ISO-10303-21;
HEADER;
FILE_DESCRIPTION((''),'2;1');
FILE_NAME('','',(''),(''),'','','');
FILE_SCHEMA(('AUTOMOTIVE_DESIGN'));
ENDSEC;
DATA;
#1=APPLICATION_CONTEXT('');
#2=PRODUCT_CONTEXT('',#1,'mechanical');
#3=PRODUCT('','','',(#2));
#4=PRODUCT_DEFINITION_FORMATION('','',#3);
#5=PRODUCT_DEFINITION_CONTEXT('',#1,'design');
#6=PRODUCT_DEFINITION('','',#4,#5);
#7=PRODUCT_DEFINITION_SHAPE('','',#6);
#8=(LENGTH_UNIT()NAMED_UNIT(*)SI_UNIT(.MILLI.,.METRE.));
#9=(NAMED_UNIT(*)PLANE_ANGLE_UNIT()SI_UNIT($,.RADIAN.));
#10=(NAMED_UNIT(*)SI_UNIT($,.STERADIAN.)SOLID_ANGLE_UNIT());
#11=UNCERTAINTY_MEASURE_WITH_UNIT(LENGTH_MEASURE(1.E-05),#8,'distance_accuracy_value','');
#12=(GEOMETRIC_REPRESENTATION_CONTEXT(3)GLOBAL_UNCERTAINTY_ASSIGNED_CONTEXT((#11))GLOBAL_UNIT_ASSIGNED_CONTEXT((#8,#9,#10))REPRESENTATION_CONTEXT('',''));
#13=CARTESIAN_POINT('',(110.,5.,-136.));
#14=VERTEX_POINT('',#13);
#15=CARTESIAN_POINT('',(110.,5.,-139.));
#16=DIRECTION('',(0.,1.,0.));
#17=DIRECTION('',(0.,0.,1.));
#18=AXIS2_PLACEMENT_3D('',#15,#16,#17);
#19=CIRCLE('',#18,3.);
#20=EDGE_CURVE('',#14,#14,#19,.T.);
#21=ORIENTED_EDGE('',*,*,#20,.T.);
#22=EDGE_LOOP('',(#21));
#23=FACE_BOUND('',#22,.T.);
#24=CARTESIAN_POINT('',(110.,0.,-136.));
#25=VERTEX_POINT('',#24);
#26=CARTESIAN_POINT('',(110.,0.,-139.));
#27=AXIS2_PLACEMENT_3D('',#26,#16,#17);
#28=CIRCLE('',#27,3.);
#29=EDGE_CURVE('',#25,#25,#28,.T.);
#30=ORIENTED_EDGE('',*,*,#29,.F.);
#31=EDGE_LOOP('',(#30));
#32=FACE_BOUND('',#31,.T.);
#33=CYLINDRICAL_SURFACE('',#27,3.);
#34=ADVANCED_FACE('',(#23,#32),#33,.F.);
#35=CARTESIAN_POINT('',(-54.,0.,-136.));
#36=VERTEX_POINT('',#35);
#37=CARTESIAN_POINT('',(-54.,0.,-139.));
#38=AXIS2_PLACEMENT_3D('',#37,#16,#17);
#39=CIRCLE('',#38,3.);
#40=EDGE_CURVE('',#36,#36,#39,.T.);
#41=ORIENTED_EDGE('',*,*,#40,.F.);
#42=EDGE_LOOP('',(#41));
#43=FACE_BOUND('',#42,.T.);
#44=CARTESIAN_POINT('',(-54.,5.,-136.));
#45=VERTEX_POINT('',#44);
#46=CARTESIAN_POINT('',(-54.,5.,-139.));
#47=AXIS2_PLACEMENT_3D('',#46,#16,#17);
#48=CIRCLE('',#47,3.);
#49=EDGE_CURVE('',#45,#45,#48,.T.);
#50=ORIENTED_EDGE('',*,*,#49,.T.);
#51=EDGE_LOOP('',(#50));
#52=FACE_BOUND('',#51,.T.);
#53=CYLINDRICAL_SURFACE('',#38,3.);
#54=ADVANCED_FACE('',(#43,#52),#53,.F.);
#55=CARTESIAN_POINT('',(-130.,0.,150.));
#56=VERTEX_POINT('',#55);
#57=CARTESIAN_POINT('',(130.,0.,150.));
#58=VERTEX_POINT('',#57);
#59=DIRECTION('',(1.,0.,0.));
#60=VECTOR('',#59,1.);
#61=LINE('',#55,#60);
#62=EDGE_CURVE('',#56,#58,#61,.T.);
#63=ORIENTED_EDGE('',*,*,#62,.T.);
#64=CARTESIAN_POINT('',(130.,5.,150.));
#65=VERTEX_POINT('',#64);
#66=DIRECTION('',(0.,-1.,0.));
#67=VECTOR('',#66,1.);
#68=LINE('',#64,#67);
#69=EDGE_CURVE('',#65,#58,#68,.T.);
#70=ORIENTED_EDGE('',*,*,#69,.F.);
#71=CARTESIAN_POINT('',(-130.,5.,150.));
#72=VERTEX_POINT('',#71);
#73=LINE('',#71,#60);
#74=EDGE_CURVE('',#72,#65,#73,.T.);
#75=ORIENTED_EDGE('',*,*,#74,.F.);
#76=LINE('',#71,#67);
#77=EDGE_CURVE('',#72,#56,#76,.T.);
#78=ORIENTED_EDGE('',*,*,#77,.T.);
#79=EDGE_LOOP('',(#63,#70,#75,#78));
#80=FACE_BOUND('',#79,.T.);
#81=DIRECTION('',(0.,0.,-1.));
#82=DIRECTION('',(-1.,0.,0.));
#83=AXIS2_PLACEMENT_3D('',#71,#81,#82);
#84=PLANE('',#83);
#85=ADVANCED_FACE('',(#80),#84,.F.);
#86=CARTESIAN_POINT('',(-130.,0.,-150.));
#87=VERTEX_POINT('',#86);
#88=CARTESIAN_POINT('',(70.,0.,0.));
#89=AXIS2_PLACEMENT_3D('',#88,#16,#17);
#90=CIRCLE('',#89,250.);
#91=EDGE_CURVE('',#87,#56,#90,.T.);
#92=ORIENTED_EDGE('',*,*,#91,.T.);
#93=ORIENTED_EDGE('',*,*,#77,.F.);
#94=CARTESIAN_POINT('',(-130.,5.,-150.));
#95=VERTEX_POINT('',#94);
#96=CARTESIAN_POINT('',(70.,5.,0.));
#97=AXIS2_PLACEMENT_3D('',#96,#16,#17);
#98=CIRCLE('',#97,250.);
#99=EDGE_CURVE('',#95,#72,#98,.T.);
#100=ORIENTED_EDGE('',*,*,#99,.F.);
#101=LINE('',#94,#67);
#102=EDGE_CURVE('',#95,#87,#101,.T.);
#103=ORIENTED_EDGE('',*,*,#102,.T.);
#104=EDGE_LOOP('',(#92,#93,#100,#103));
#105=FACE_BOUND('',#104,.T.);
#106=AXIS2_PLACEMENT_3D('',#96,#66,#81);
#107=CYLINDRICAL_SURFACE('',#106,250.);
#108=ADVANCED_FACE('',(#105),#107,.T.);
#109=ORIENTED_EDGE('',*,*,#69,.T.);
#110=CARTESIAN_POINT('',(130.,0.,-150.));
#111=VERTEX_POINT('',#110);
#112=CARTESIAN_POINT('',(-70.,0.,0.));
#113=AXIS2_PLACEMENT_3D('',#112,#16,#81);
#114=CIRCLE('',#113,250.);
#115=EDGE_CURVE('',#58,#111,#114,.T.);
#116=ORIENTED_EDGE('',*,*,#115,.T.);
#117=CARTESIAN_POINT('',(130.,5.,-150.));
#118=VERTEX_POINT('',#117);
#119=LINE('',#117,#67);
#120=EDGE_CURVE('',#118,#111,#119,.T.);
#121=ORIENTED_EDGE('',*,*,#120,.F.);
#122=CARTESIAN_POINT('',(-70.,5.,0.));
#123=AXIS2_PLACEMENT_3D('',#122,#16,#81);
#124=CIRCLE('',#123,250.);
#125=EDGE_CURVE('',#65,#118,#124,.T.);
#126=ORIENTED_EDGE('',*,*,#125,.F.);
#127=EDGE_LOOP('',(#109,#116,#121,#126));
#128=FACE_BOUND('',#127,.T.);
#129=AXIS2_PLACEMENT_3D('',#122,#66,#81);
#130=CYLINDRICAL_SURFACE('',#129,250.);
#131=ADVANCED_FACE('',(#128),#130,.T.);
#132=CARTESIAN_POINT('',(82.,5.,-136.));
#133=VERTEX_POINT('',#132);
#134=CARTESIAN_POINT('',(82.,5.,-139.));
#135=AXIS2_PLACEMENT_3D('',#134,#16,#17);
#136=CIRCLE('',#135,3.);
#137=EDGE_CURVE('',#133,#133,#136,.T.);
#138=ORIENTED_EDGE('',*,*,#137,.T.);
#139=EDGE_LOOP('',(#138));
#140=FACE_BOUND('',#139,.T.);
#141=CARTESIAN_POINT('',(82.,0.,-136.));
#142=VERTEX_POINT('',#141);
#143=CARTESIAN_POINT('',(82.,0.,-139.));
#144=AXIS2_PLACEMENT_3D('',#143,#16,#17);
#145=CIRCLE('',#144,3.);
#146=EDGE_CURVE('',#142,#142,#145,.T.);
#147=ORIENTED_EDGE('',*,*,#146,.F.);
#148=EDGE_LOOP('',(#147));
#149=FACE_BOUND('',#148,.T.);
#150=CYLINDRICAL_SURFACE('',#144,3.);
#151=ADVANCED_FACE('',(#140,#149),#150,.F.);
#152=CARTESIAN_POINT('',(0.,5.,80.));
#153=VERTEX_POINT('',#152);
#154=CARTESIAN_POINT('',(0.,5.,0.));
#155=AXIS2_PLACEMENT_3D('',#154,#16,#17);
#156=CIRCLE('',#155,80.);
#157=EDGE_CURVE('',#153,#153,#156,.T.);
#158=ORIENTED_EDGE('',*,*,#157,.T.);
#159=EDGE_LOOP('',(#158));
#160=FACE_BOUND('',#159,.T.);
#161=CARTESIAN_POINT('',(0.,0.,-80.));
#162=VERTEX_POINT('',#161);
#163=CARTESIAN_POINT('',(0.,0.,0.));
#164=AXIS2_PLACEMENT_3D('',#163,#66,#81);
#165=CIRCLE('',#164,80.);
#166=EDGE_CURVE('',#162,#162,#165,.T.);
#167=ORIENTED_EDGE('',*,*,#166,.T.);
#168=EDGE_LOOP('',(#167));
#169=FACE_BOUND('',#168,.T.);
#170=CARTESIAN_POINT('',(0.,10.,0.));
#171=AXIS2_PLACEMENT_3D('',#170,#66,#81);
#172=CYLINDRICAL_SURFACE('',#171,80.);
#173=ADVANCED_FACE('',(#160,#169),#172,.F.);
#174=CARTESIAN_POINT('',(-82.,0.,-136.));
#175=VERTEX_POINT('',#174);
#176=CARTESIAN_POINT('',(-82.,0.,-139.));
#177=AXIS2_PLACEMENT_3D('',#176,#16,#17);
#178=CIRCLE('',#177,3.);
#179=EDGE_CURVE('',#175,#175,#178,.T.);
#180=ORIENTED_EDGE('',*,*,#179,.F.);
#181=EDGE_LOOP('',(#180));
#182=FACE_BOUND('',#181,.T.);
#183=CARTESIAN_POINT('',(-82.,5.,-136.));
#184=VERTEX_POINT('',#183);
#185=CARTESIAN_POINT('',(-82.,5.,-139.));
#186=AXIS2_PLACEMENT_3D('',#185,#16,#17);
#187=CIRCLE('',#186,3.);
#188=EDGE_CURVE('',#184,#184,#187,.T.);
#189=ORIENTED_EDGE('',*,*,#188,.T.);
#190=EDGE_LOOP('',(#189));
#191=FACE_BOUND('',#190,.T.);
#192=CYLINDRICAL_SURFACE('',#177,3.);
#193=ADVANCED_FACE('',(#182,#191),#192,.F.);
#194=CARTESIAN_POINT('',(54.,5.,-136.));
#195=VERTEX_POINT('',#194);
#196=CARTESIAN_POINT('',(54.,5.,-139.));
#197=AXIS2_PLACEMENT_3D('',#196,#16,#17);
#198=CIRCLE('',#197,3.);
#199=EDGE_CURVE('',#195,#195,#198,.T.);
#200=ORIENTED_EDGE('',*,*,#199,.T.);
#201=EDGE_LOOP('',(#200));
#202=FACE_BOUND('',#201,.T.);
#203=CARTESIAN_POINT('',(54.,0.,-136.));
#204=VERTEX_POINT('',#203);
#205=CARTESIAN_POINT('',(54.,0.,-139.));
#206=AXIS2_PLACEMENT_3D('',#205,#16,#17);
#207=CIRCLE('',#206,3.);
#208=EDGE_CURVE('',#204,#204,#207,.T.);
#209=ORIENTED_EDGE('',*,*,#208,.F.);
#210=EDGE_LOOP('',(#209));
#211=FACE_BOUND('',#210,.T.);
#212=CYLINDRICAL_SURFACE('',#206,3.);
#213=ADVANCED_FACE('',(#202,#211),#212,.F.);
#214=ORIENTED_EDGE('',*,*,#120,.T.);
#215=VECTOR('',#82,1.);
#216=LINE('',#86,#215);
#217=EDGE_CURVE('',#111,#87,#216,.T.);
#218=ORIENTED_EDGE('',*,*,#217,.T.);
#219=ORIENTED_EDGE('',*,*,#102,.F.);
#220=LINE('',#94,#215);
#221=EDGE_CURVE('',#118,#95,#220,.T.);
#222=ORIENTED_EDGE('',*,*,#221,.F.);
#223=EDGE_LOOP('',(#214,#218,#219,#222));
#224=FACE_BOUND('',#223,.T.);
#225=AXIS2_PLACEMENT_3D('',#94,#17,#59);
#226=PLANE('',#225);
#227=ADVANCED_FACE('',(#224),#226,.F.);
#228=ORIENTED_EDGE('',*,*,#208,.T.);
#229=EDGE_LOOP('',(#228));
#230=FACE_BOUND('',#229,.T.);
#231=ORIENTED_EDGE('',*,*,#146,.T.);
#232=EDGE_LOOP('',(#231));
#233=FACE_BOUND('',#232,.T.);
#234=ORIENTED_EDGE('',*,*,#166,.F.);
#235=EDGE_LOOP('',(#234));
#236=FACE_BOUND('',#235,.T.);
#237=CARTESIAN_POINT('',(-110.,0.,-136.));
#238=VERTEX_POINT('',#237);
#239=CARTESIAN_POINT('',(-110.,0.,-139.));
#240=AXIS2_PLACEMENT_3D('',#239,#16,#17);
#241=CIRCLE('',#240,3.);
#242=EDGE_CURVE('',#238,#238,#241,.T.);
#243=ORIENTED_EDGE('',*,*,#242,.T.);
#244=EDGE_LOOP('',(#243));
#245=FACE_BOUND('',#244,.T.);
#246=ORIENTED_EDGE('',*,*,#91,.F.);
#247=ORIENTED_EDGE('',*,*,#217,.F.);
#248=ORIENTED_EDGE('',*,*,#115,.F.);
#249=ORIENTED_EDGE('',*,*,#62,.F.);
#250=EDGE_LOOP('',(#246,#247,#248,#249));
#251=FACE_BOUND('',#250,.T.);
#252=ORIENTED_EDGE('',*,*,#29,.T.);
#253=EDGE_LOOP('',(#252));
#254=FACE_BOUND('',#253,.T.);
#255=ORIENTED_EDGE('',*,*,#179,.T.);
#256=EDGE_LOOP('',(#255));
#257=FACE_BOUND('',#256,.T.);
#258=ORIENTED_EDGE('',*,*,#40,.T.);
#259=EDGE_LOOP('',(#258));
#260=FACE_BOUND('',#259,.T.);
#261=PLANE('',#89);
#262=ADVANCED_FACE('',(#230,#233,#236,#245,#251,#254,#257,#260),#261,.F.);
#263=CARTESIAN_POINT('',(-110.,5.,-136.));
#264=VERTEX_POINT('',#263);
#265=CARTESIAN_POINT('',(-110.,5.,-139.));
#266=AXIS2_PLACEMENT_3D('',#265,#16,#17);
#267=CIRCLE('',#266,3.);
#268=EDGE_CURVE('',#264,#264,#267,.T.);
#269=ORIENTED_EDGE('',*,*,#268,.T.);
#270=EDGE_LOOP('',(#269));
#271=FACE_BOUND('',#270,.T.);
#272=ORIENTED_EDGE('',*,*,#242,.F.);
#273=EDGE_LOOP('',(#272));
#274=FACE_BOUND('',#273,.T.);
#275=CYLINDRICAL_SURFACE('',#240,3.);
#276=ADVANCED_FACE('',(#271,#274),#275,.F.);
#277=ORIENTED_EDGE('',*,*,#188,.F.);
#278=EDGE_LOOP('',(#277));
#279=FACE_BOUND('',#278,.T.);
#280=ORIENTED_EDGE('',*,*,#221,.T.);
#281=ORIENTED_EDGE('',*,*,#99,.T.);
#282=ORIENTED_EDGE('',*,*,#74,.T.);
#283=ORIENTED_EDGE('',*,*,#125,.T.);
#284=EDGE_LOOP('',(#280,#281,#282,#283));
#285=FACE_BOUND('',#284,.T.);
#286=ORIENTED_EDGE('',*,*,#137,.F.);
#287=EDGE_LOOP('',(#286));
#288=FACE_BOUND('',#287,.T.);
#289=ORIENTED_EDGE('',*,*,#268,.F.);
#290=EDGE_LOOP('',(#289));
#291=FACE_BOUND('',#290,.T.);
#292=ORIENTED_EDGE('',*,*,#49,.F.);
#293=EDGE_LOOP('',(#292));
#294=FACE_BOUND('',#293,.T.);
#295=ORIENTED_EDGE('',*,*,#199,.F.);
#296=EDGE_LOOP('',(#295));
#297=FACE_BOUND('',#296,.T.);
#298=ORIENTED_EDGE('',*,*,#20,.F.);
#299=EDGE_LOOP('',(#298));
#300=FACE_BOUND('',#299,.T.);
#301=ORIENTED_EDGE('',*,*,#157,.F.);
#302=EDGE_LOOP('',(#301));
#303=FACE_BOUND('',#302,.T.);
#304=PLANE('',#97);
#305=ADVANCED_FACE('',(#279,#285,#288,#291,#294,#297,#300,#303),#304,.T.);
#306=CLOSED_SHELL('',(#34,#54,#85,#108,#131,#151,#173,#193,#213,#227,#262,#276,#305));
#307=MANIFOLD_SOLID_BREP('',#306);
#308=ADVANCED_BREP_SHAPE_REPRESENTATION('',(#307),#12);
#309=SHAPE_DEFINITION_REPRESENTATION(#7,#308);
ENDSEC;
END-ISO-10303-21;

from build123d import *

# Parameters (mm, degrees)
BOSS_EXTRUDE1_DEPTH = 5
SKETCH2_R           = 80
CUT_EXTRUDE5_DEPTH  = 10
SKETCH3_R           = 3
CUT_EXTRUDE6_DEPTH  = 235.360832905


with BuildPart() as part:
    # Lid case → Boss-Extrude1 (new body)
    with BuildSketch(Plane(origin=(0, 0, 0), x_dir=(1, 0, 0), z_dir=(0, 1, 0))):
        with BuildLine():
            Line((-130, 150), (130, 150))
            ThreePointArc((130, 150), (180, 0), (130, -150))
            Line((130, -150), (-130, -150))
            ThreePointArc((-130, -150), (-180, 0), (-130, 150))
        make_face()
    extrude(amount=BOSS_EXTRUDE1_DEPTH)

    # Sketch2 → Cut-Extrude5 (cut)
    with BuildSketch(Plane.XZ):
        Circle(SKETCH2_R)
    extrude(amount=-CUT_EXTRUDE5_DEPTH, mode=Mode.SUBTRACT)

    # Sketch3 → Cut-Extrude6 (cut, through all)
    with BuildSketch(Plane(origin=(0, 5, 0), x_dir=(1, 0, 0), z_dir=(0, 1, 0))):
        with Locations((-110, 139)):
            Circle(SKETCH3_R)
        with Locations((-82, 139)):
            Circle(SKETCH3_R)
        with Locations((-54, 139)):
            Circle(SKETCH3_R)
        with Locations((54, 139)):
            Circle(SKETCH3_R)
        with Locations((82, 139)):
            Circle(SKETCH3_R)
        with Locations((110, 139)):
            Circle(SKETCH3_R)
    extrude(amount=-CUT_EXTRUDE6_DEPTH, mode=Mode.SUBTRACT)


solid = part.part
